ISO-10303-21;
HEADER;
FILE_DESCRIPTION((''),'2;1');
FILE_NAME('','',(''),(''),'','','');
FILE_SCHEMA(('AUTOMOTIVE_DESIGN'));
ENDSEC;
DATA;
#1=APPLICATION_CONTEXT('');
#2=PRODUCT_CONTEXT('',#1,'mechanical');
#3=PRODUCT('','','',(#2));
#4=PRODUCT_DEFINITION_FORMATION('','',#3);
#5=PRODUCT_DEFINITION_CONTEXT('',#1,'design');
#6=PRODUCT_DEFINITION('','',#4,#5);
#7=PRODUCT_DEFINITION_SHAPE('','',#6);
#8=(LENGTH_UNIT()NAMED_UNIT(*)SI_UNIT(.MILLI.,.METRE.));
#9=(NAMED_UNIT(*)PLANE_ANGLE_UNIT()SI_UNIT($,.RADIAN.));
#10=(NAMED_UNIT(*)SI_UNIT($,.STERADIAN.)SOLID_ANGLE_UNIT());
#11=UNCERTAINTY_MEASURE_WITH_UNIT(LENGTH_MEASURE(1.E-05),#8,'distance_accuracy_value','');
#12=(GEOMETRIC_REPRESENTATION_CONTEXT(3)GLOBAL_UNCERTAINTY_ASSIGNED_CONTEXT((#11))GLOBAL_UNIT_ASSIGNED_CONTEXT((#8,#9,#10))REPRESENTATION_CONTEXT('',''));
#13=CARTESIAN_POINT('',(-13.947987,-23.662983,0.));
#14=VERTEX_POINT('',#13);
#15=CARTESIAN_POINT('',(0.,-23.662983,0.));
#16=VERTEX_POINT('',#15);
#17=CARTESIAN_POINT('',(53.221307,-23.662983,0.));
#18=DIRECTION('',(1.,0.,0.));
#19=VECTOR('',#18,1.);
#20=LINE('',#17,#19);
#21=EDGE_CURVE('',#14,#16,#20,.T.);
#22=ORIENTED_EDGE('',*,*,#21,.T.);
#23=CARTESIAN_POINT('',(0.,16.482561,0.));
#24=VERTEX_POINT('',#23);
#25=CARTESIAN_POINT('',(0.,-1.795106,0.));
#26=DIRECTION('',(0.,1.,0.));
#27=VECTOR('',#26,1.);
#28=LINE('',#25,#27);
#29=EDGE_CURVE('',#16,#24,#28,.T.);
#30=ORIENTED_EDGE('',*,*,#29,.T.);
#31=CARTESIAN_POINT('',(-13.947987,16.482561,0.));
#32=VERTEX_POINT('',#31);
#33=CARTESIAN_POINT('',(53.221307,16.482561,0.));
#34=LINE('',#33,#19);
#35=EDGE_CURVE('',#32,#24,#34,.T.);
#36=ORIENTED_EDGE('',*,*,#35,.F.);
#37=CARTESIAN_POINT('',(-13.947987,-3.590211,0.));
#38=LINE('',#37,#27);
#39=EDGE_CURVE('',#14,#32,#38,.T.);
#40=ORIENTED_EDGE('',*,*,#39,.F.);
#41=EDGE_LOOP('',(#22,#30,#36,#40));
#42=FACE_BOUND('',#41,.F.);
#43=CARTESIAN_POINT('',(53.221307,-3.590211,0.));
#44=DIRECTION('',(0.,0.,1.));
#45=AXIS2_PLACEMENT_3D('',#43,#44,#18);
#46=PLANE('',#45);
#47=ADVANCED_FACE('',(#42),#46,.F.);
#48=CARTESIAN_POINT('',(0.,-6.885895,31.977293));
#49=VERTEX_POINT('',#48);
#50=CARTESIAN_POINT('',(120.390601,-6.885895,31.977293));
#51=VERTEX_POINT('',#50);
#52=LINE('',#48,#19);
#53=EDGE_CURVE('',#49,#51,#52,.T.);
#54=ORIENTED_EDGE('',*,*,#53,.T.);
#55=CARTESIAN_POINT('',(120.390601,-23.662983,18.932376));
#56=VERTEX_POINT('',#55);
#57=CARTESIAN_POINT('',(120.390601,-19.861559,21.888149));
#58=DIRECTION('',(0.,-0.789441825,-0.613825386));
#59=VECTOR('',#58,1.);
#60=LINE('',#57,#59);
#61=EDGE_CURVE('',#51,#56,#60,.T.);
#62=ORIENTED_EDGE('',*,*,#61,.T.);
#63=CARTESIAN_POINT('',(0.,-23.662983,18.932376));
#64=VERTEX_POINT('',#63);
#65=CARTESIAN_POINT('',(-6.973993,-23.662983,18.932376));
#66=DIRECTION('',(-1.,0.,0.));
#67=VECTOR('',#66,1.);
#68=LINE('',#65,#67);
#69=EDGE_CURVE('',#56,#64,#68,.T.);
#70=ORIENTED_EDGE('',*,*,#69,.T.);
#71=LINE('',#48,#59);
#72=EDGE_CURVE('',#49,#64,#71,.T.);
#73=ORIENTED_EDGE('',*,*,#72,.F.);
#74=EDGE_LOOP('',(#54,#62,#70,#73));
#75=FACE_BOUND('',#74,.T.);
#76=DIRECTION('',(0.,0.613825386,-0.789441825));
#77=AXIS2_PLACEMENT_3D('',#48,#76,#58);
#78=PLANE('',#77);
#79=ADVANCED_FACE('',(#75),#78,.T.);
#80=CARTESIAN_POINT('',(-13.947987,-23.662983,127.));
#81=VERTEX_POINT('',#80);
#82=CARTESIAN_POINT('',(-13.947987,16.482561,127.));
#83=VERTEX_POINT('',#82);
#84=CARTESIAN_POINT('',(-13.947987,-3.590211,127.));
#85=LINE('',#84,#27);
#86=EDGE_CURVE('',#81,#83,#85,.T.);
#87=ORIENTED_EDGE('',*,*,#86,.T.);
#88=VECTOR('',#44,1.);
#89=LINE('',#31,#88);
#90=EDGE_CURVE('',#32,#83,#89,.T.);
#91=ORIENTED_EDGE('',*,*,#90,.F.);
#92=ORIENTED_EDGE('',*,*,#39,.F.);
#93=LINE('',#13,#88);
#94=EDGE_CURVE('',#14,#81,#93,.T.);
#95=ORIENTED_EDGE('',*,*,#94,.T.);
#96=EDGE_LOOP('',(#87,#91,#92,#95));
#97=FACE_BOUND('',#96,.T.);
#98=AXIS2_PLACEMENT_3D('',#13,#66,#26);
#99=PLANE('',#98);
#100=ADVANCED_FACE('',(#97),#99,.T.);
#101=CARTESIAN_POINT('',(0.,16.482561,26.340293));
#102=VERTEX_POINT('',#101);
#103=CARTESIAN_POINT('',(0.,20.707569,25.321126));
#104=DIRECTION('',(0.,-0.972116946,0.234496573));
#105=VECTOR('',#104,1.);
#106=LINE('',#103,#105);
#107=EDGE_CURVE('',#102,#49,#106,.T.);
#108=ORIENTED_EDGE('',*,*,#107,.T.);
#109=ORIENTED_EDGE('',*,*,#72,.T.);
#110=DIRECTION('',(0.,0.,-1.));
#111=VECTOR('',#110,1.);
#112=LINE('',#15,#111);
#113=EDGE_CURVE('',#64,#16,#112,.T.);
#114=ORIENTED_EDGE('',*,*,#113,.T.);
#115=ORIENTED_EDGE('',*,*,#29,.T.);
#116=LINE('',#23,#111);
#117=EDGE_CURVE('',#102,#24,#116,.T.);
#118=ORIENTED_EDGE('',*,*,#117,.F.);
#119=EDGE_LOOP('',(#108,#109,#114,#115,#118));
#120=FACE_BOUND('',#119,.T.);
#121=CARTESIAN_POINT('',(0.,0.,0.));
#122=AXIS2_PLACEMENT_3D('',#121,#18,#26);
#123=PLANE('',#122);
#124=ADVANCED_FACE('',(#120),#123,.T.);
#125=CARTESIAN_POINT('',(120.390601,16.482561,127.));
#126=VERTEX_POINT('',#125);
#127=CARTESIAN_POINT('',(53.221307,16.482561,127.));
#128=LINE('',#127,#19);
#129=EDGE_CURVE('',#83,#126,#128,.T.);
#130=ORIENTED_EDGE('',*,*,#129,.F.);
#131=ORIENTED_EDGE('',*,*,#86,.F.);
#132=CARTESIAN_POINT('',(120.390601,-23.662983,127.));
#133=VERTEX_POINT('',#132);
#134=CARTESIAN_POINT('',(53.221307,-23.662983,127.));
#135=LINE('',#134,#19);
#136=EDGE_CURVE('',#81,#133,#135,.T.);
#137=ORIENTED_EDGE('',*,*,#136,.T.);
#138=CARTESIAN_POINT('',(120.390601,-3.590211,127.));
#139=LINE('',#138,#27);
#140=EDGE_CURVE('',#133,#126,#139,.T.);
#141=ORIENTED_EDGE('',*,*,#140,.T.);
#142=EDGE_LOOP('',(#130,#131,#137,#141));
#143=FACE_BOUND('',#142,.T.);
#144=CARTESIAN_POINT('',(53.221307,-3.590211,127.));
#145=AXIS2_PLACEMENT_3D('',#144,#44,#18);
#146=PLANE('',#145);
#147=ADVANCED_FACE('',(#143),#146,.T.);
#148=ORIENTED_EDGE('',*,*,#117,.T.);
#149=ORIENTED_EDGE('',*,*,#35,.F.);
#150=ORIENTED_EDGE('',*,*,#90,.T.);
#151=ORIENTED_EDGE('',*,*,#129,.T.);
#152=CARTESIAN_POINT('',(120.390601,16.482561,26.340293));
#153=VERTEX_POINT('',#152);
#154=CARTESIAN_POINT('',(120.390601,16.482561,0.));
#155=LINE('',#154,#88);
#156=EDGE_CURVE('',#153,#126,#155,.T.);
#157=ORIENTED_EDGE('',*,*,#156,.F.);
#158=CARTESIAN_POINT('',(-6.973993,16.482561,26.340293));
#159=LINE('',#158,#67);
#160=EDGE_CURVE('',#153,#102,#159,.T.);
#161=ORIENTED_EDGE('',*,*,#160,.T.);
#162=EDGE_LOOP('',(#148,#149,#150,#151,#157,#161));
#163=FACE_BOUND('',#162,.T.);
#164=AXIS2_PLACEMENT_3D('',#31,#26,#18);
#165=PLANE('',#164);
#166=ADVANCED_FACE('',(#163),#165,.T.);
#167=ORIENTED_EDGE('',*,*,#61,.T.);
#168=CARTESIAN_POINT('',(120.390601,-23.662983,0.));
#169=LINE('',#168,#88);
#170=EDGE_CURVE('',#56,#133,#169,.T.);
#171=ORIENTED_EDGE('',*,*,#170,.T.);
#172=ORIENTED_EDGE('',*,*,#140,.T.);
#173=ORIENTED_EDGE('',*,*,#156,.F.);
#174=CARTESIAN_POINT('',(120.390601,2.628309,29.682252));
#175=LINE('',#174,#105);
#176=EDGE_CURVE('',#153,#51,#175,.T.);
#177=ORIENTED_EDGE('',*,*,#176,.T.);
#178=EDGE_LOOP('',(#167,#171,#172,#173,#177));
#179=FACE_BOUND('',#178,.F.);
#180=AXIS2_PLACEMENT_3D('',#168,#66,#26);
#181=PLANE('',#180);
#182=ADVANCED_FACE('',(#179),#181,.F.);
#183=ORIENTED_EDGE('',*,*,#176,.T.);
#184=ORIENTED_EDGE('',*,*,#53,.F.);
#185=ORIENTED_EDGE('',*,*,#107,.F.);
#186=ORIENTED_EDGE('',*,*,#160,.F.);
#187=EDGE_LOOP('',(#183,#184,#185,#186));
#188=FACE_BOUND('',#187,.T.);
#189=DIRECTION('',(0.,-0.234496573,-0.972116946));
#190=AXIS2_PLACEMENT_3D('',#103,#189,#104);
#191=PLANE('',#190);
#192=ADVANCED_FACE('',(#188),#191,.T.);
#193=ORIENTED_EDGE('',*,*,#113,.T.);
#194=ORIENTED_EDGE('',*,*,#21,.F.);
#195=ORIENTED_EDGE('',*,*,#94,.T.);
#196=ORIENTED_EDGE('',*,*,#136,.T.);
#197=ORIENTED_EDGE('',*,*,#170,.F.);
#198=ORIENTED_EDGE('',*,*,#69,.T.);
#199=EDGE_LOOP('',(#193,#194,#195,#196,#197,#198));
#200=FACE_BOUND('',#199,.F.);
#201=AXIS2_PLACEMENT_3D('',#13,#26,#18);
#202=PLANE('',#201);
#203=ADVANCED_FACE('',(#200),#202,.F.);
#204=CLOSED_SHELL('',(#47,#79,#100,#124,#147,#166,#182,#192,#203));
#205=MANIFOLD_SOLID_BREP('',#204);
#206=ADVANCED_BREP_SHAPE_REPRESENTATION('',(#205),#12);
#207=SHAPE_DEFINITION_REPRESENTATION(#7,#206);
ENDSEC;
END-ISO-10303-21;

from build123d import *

# Parameters (mm, degrees)
F0_W     = 134.338587
F0_H     = 40.145545
F1_DEPTH = 127
F3_DEPTH = 120.391601


with BuildPart() as f1:
    # F0 (on Top) → F1 (new body)
    with BuildSketch(Plane.XY):
        with Locations((53.221307, -3.590211)):
            Rectangle(F0_W, F0_H)
    extrude(amount=F1_DEPTH)

    # F2 (on Right) → F3 (cut, through all)
    with BuildSketch(Plane.YZ):
        Polygon((20.078405, -25.822868), (32.707811, -0.402366), (20.707569, 25.321126), (-6.885895, 31.977293), (-29.29414, 14.553907), (-29.6433, -13.828869), (-7.67045, -31.798224), align=None)
    extrude(amount=F3_DEPTH, mode=Mode.SUBTRACT)


solid = f1.part
